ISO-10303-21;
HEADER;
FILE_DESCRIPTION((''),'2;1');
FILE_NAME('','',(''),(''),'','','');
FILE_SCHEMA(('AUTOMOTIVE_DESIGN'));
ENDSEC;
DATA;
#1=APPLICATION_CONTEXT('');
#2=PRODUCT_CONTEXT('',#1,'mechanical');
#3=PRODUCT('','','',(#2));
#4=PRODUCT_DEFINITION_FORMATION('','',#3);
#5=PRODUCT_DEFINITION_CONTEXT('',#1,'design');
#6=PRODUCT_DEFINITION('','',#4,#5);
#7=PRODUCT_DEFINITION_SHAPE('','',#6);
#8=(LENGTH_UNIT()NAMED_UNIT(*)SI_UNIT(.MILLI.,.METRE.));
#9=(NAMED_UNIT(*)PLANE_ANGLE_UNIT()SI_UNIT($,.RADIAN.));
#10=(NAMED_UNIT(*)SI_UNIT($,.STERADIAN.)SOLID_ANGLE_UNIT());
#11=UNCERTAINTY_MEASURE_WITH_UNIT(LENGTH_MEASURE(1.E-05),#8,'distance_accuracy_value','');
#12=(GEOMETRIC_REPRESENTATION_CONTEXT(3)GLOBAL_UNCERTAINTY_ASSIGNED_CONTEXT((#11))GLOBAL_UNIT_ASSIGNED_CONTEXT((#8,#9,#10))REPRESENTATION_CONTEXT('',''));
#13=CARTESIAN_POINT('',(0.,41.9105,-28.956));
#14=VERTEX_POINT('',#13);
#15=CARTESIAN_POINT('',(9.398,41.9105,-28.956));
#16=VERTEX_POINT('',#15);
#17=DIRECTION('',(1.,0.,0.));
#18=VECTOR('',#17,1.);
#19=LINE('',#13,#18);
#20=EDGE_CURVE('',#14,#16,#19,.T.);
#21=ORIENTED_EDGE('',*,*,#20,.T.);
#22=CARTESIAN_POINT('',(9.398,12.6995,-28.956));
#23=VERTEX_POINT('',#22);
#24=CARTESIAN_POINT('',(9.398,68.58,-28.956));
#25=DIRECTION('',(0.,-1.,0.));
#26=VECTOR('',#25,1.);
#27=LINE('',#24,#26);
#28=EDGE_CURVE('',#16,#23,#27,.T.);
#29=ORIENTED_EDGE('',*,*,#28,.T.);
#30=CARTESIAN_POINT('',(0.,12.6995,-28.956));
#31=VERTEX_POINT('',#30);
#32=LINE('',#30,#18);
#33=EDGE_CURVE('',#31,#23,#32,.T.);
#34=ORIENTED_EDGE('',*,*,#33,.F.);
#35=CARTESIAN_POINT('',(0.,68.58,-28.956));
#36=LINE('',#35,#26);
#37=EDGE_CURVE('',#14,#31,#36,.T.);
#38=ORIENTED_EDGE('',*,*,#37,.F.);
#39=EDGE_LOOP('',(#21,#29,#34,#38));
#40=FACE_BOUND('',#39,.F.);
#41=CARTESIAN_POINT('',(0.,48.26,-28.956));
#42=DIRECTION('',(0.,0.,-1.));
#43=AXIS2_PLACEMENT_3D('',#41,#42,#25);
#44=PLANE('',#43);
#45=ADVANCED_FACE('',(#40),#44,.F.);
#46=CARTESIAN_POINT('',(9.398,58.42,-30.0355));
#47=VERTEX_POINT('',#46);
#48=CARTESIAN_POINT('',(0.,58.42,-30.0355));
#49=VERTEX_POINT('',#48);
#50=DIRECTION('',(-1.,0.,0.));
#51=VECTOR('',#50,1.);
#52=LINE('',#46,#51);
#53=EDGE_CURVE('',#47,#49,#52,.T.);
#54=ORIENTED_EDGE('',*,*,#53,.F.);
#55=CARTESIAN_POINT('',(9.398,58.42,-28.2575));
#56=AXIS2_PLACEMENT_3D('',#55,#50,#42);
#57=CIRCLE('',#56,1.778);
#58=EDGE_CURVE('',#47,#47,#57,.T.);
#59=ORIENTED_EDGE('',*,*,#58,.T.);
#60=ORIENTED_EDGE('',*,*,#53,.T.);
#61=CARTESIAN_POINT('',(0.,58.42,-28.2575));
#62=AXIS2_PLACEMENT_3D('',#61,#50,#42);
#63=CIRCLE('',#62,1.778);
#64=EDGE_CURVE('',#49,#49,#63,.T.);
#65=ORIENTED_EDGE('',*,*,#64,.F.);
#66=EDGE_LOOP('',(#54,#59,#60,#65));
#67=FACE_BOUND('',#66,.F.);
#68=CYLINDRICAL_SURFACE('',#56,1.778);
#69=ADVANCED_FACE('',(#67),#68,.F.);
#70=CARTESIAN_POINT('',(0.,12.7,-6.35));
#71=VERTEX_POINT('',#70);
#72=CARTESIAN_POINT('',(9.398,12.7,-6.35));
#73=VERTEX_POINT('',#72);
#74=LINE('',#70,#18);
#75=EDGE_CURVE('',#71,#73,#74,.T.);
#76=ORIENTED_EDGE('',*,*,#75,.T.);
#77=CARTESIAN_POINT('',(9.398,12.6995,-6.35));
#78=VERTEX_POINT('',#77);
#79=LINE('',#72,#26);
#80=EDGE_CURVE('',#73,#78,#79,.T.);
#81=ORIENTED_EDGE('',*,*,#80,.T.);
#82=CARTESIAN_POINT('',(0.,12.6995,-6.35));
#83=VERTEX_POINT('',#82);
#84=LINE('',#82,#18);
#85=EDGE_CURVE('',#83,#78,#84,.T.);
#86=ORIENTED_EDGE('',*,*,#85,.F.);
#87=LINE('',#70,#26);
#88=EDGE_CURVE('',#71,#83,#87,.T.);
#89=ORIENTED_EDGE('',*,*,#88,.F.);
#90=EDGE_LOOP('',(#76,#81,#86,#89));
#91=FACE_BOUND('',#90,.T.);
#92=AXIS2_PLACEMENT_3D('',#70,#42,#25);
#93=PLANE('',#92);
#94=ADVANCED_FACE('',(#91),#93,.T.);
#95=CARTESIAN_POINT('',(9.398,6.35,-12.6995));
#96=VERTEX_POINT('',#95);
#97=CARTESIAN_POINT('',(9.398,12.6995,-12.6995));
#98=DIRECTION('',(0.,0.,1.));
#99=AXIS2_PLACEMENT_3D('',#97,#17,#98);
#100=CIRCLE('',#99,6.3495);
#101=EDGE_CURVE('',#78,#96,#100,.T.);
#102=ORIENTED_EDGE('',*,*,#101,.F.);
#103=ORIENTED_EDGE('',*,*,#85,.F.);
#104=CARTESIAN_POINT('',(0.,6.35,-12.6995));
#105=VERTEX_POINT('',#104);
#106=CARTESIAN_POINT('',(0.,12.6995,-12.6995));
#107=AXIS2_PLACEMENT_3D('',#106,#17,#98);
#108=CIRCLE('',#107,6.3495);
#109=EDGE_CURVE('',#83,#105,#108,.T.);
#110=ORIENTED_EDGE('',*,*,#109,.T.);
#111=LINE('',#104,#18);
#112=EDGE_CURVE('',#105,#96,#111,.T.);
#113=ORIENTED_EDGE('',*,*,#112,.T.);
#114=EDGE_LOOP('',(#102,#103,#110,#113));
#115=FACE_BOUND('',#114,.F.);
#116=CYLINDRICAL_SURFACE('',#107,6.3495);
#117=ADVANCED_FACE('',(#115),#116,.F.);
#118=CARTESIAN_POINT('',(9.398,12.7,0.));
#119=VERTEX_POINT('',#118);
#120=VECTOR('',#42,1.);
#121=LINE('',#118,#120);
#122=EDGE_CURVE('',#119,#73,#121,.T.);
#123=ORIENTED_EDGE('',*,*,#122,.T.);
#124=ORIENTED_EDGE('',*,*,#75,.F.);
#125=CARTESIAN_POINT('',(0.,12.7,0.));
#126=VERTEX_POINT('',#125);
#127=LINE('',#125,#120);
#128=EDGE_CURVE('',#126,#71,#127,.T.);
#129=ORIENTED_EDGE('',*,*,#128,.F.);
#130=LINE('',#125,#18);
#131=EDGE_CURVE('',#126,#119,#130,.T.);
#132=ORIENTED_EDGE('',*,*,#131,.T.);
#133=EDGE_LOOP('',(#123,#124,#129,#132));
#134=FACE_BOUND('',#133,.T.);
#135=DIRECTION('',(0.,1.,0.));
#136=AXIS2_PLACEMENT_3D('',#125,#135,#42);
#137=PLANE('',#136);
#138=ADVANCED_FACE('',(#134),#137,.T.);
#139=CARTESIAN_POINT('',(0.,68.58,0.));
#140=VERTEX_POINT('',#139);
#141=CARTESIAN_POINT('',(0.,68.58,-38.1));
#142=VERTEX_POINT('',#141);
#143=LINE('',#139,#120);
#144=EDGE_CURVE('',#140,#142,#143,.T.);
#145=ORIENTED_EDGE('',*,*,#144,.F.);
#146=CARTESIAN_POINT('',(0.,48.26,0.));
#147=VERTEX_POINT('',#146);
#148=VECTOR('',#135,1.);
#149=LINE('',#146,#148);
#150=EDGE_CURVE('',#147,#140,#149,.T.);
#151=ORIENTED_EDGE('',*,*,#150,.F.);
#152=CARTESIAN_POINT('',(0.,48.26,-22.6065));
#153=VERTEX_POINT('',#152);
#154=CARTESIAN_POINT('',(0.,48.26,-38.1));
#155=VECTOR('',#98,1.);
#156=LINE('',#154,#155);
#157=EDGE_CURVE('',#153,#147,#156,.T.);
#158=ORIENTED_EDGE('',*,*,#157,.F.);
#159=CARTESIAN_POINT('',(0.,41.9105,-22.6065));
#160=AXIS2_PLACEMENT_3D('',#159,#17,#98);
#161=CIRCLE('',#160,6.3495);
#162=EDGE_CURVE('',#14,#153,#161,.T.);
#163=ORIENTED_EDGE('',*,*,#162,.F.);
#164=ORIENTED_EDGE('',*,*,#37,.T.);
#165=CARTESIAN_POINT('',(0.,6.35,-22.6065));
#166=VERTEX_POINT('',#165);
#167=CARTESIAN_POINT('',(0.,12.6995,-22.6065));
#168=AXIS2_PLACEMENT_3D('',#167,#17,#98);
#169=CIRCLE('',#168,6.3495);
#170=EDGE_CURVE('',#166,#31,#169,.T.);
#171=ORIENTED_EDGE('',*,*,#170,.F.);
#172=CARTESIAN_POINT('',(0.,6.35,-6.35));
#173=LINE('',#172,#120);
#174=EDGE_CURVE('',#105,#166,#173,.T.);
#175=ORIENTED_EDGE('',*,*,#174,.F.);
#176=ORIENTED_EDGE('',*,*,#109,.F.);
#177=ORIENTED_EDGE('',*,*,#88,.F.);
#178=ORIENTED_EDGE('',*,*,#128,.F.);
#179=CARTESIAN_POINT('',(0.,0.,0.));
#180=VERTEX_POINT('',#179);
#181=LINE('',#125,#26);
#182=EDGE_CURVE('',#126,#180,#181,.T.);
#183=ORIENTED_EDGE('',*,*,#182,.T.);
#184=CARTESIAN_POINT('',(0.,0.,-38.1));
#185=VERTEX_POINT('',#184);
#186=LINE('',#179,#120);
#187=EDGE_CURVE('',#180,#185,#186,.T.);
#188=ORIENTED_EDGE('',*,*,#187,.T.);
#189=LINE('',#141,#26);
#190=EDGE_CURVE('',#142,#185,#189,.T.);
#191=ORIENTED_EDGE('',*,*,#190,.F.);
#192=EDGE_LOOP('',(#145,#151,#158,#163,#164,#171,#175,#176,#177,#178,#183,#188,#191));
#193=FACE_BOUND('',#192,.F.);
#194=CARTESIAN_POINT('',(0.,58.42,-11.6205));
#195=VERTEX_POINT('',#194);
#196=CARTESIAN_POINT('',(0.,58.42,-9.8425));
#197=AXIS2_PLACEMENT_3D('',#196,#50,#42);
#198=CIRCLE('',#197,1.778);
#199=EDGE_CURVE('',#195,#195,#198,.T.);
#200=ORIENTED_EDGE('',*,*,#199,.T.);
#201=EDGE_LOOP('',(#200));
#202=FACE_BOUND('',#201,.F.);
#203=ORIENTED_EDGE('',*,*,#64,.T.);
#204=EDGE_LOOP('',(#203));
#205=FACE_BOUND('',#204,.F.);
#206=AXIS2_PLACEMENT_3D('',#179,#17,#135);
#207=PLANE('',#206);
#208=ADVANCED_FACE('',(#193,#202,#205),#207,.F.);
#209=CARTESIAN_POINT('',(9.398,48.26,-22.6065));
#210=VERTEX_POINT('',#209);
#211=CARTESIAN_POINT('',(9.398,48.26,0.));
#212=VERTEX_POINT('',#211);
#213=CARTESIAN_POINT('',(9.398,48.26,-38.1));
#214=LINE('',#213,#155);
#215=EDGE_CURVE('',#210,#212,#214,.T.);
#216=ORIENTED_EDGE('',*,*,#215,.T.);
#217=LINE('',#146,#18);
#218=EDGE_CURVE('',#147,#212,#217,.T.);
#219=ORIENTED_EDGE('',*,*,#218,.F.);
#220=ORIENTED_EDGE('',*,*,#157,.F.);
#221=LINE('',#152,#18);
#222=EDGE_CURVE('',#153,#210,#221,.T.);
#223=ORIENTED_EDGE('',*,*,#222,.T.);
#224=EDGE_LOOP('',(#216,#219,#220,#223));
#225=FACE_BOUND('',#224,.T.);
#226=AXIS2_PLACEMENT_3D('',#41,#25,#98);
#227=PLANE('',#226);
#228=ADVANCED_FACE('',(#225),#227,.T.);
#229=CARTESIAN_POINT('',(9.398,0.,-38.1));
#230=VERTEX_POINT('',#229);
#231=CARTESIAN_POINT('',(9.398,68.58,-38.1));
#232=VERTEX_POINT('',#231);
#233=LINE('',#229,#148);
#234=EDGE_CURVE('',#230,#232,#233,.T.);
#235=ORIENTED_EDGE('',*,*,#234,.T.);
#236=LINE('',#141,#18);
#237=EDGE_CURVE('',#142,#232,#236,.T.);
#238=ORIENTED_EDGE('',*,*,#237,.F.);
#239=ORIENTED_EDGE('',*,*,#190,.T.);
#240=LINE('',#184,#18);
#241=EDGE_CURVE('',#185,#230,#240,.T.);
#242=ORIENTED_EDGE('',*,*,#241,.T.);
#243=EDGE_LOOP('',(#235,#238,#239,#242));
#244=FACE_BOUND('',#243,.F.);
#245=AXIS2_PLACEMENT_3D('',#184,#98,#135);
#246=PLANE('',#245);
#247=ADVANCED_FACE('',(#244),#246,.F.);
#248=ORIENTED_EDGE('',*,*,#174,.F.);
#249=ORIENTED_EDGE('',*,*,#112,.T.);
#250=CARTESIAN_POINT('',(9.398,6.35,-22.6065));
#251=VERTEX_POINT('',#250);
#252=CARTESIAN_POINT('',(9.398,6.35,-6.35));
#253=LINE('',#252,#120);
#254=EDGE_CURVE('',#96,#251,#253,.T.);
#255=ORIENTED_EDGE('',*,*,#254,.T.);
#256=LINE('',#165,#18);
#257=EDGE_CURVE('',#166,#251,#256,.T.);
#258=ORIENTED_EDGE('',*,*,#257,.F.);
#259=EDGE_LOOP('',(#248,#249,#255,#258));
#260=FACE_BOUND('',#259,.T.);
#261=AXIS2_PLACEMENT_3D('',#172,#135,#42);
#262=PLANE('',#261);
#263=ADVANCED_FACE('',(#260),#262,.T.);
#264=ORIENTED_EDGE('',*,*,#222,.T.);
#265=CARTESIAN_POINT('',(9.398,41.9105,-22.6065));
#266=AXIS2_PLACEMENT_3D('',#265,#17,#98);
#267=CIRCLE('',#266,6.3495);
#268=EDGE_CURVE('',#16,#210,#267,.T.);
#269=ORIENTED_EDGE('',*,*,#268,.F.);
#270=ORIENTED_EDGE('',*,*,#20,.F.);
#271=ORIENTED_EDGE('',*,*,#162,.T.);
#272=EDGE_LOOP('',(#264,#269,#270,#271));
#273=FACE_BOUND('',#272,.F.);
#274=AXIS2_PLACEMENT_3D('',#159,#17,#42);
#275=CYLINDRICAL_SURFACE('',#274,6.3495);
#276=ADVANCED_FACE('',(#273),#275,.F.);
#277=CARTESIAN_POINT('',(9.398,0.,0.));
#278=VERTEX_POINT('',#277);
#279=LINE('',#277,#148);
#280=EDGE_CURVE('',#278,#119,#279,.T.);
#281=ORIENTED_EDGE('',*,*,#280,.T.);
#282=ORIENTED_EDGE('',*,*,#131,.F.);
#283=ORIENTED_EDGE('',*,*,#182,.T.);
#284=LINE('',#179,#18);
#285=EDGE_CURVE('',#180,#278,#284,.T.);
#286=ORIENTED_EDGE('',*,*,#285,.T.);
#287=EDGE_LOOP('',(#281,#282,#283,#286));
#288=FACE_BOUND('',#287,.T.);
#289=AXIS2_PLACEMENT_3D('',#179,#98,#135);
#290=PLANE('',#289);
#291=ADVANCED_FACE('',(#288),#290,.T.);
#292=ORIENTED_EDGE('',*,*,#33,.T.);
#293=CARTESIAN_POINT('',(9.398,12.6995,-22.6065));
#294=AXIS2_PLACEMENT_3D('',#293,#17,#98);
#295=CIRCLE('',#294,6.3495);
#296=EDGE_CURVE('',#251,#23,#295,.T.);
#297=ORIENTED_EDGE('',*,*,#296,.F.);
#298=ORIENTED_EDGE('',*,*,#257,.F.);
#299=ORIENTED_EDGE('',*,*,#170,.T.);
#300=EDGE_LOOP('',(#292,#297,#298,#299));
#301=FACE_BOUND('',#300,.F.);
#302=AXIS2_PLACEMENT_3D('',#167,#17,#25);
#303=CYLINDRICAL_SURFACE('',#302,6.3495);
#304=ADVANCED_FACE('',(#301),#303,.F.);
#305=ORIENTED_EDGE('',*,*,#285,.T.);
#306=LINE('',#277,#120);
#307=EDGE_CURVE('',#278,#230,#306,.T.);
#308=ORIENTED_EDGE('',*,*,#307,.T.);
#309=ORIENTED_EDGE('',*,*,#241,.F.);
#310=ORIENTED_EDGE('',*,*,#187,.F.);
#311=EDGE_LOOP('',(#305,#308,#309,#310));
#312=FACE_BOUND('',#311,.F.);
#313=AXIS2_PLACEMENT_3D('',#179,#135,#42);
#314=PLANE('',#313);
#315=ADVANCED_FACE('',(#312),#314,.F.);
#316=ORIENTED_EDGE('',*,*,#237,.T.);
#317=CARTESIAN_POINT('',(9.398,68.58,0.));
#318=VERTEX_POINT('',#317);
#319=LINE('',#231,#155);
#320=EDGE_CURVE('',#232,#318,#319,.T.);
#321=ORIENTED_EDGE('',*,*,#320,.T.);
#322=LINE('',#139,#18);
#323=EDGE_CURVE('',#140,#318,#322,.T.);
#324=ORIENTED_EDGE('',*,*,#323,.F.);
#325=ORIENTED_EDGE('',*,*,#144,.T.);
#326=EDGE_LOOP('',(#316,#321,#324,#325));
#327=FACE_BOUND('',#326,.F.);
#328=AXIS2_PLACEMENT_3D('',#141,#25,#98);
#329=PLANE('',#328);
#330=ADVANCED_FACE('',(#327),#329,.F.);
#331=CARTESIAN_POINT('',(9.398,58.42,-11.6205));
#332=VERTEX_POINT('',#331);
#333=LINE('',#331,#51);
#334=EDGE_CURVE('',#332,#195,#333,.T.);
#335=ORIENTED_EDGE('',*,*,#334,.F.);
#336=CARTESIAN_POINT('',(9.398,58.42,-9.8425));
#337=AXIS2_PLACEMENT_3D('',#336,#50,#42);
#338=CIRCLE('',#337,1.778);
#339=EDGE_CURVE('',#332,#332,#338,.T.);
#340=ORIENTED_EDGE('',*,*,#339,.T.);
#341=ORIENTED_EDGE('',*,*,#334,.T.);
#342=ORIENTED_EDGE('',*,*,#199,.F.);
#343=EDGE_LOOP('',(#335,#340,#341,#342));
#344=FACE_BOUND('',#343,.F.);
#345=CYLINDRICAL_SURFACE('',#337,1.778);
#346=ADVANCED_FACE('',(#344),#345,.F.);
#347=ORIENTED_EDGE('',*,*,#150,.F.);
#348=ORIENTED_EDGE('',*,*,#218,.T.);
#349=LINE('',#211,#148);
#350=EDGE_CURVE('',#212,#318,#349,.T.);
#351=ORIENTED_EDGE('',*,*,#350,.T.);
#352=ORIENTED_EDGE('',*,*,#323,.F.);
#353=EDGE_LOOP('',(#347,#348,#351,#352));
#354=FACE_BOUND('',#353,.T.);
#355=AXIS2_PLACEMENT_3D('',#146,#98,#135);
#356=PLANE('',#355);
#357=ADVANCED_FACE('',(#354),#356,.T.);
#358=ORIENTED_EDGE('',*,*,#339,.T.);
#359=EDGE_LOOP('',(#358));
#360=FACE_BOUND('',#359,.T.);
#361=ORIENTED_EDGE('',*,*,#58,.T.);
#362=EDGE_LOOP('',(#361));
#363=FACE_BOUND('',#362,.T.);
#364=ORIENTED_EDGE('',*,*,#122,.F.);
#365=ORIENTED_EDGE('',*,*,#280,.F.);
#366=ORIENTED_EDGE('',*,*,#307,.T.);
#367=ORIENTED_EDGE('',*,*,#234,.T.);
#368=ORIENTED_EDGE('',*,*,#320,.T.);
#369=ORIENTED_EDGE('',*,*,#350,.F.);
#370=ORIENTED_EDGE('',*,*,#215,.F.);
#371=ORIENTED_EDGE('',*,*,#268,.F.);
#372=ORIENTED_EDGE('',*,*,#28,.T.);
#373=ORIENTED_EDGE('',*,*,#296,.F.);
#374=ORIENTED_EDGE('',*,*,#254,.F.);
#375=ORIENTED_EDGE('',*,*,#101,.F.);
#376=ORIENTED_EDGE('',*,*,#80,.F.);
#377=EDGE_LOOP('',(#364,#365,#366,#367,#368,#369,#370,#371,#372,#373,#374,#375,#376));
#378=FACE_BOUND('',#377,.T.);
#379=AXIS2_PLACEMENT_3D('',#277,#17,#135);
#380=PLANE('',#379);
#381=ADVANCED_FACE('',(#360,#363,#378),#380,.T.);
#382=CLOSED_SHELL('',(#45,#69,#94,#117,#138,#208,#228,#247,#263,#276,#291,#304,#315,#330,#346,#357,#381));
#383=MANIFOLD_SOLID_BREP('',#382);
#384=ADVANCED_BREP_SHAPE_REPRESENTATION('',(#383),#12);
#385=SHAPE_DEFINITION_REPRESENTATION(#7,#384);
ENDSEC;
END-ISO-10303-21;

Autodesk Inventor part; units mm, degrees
ref_plane "YZ Plane" through (0, 0, 0) normal (1, 0, 0) x (0, 1, 0)
ref_plane "XZ Plane" through (0, 0, 0) normal (0, 1, 0) x (-1, 0, 0)
ref_plane "XY Plane" through (0, 0, 0) normal (0, 0, 1) x (1, 0, 0)
sketch "Sketch1" plane through (0, 0, 0) normal (1, 0, 0) x (0, 1, 0)
  line L0 (0, 0) -> (0, -38.1)
  line L1 (0, -38.1) -> (68.58, -38.1)
  line L2 (68.58, -38.1) -> (68.58, -28.956)
  line L3 (68.58, -28.956) -> (6.35, -28.956)
  line L4 (0, 0) -> (12.7, 0)
  line L5 (12.7, 0) -> (12.7, -6.35)
  line L6 (12.7, -6.35) -> (6.35, -6.35)
  line L7 (0, 0) -> (6.35, 0)
  line L8 (6.35, -6.35) -> (6.35, -28.956)
  line L9 (68.58, -38.1) -> (48.26, -38.1)
  line L10 (48.26, -38.1) -> (48.26, 0)
  line L11 (48.26, 0) -> (68.58, 0)
  line L12 (68.58, 0) -> (68.58, -38.1)
  dimension "d0" = 38.1
  dimension "d1" = 68.58
  dimension "d2" = 9.144
  dimension "d3" = 6.35
  dimension "d4" = 12.7
  dimension "d5" = 6.35
  dimension "d6" = 6.35
  dimension "d10" = 20.32
  dimension "d11" = 38.1
extrude "Extrusion2" add sketch "Sketch1" along normal blind 9.398
sketch "Sketch2" plane through (9.398, 0, 0) normal (1, 0, 0) x (0, 0, -1)
  line L0 (28.956, 48.26) -> (28.956, 6.35) projected
  line L1 (28.956, 6.35) -> (6.35, 6.35) projected
  line L2 (6.35, 6.35) -> (6.35, 12.7) projected
  line L3 (6.35, 12.7) -> (0, 12.7) projected
  line L4 (0, 12.7) -> (0, 0) projected
  line L5 (0, 0) -> (38.1, 0) projected
  line L6 (38.1, 0) -> (38.1, 68.58) projected
  line L7 (38.1, 68.58) -> (0, 68.58) projected
  line L8 (0, 68.58) -> (0, 48.26) projected
  line L9 (0, 48.26) -> (28.956, 48.26) projected
  point P0 (28.2575, 58.42)
  point P1 (9.8425, 58.42)
  dimension "d14" = 18.415
  dimension "d15" = 38.1
  dimension "d16" = 9.8425
  dimension "d17" = 20.32
  dimension "d18" = 10.16
  dimension "d19" = 10.16
hole "Hole1" at (9.398, 58.42, -28.2575) at (9.398, 58.42, -9.8425) direction (-1, 0, 0) diameter 3.556 depth 10.9728 tip angle 118
fillet "Fillet2" radius 6.35 3 edges at (4.699, 6.35, -6.35) (4.699, 6.35, -28.956) (4.699, 48.26, -28.956)
equation "\"d16\" = -0.5 * d14 + 0.5 * d15"
equation "\"d18\" = 0.5 * d17"
equation "\"d19\" = d18"
properties part number "hook"
